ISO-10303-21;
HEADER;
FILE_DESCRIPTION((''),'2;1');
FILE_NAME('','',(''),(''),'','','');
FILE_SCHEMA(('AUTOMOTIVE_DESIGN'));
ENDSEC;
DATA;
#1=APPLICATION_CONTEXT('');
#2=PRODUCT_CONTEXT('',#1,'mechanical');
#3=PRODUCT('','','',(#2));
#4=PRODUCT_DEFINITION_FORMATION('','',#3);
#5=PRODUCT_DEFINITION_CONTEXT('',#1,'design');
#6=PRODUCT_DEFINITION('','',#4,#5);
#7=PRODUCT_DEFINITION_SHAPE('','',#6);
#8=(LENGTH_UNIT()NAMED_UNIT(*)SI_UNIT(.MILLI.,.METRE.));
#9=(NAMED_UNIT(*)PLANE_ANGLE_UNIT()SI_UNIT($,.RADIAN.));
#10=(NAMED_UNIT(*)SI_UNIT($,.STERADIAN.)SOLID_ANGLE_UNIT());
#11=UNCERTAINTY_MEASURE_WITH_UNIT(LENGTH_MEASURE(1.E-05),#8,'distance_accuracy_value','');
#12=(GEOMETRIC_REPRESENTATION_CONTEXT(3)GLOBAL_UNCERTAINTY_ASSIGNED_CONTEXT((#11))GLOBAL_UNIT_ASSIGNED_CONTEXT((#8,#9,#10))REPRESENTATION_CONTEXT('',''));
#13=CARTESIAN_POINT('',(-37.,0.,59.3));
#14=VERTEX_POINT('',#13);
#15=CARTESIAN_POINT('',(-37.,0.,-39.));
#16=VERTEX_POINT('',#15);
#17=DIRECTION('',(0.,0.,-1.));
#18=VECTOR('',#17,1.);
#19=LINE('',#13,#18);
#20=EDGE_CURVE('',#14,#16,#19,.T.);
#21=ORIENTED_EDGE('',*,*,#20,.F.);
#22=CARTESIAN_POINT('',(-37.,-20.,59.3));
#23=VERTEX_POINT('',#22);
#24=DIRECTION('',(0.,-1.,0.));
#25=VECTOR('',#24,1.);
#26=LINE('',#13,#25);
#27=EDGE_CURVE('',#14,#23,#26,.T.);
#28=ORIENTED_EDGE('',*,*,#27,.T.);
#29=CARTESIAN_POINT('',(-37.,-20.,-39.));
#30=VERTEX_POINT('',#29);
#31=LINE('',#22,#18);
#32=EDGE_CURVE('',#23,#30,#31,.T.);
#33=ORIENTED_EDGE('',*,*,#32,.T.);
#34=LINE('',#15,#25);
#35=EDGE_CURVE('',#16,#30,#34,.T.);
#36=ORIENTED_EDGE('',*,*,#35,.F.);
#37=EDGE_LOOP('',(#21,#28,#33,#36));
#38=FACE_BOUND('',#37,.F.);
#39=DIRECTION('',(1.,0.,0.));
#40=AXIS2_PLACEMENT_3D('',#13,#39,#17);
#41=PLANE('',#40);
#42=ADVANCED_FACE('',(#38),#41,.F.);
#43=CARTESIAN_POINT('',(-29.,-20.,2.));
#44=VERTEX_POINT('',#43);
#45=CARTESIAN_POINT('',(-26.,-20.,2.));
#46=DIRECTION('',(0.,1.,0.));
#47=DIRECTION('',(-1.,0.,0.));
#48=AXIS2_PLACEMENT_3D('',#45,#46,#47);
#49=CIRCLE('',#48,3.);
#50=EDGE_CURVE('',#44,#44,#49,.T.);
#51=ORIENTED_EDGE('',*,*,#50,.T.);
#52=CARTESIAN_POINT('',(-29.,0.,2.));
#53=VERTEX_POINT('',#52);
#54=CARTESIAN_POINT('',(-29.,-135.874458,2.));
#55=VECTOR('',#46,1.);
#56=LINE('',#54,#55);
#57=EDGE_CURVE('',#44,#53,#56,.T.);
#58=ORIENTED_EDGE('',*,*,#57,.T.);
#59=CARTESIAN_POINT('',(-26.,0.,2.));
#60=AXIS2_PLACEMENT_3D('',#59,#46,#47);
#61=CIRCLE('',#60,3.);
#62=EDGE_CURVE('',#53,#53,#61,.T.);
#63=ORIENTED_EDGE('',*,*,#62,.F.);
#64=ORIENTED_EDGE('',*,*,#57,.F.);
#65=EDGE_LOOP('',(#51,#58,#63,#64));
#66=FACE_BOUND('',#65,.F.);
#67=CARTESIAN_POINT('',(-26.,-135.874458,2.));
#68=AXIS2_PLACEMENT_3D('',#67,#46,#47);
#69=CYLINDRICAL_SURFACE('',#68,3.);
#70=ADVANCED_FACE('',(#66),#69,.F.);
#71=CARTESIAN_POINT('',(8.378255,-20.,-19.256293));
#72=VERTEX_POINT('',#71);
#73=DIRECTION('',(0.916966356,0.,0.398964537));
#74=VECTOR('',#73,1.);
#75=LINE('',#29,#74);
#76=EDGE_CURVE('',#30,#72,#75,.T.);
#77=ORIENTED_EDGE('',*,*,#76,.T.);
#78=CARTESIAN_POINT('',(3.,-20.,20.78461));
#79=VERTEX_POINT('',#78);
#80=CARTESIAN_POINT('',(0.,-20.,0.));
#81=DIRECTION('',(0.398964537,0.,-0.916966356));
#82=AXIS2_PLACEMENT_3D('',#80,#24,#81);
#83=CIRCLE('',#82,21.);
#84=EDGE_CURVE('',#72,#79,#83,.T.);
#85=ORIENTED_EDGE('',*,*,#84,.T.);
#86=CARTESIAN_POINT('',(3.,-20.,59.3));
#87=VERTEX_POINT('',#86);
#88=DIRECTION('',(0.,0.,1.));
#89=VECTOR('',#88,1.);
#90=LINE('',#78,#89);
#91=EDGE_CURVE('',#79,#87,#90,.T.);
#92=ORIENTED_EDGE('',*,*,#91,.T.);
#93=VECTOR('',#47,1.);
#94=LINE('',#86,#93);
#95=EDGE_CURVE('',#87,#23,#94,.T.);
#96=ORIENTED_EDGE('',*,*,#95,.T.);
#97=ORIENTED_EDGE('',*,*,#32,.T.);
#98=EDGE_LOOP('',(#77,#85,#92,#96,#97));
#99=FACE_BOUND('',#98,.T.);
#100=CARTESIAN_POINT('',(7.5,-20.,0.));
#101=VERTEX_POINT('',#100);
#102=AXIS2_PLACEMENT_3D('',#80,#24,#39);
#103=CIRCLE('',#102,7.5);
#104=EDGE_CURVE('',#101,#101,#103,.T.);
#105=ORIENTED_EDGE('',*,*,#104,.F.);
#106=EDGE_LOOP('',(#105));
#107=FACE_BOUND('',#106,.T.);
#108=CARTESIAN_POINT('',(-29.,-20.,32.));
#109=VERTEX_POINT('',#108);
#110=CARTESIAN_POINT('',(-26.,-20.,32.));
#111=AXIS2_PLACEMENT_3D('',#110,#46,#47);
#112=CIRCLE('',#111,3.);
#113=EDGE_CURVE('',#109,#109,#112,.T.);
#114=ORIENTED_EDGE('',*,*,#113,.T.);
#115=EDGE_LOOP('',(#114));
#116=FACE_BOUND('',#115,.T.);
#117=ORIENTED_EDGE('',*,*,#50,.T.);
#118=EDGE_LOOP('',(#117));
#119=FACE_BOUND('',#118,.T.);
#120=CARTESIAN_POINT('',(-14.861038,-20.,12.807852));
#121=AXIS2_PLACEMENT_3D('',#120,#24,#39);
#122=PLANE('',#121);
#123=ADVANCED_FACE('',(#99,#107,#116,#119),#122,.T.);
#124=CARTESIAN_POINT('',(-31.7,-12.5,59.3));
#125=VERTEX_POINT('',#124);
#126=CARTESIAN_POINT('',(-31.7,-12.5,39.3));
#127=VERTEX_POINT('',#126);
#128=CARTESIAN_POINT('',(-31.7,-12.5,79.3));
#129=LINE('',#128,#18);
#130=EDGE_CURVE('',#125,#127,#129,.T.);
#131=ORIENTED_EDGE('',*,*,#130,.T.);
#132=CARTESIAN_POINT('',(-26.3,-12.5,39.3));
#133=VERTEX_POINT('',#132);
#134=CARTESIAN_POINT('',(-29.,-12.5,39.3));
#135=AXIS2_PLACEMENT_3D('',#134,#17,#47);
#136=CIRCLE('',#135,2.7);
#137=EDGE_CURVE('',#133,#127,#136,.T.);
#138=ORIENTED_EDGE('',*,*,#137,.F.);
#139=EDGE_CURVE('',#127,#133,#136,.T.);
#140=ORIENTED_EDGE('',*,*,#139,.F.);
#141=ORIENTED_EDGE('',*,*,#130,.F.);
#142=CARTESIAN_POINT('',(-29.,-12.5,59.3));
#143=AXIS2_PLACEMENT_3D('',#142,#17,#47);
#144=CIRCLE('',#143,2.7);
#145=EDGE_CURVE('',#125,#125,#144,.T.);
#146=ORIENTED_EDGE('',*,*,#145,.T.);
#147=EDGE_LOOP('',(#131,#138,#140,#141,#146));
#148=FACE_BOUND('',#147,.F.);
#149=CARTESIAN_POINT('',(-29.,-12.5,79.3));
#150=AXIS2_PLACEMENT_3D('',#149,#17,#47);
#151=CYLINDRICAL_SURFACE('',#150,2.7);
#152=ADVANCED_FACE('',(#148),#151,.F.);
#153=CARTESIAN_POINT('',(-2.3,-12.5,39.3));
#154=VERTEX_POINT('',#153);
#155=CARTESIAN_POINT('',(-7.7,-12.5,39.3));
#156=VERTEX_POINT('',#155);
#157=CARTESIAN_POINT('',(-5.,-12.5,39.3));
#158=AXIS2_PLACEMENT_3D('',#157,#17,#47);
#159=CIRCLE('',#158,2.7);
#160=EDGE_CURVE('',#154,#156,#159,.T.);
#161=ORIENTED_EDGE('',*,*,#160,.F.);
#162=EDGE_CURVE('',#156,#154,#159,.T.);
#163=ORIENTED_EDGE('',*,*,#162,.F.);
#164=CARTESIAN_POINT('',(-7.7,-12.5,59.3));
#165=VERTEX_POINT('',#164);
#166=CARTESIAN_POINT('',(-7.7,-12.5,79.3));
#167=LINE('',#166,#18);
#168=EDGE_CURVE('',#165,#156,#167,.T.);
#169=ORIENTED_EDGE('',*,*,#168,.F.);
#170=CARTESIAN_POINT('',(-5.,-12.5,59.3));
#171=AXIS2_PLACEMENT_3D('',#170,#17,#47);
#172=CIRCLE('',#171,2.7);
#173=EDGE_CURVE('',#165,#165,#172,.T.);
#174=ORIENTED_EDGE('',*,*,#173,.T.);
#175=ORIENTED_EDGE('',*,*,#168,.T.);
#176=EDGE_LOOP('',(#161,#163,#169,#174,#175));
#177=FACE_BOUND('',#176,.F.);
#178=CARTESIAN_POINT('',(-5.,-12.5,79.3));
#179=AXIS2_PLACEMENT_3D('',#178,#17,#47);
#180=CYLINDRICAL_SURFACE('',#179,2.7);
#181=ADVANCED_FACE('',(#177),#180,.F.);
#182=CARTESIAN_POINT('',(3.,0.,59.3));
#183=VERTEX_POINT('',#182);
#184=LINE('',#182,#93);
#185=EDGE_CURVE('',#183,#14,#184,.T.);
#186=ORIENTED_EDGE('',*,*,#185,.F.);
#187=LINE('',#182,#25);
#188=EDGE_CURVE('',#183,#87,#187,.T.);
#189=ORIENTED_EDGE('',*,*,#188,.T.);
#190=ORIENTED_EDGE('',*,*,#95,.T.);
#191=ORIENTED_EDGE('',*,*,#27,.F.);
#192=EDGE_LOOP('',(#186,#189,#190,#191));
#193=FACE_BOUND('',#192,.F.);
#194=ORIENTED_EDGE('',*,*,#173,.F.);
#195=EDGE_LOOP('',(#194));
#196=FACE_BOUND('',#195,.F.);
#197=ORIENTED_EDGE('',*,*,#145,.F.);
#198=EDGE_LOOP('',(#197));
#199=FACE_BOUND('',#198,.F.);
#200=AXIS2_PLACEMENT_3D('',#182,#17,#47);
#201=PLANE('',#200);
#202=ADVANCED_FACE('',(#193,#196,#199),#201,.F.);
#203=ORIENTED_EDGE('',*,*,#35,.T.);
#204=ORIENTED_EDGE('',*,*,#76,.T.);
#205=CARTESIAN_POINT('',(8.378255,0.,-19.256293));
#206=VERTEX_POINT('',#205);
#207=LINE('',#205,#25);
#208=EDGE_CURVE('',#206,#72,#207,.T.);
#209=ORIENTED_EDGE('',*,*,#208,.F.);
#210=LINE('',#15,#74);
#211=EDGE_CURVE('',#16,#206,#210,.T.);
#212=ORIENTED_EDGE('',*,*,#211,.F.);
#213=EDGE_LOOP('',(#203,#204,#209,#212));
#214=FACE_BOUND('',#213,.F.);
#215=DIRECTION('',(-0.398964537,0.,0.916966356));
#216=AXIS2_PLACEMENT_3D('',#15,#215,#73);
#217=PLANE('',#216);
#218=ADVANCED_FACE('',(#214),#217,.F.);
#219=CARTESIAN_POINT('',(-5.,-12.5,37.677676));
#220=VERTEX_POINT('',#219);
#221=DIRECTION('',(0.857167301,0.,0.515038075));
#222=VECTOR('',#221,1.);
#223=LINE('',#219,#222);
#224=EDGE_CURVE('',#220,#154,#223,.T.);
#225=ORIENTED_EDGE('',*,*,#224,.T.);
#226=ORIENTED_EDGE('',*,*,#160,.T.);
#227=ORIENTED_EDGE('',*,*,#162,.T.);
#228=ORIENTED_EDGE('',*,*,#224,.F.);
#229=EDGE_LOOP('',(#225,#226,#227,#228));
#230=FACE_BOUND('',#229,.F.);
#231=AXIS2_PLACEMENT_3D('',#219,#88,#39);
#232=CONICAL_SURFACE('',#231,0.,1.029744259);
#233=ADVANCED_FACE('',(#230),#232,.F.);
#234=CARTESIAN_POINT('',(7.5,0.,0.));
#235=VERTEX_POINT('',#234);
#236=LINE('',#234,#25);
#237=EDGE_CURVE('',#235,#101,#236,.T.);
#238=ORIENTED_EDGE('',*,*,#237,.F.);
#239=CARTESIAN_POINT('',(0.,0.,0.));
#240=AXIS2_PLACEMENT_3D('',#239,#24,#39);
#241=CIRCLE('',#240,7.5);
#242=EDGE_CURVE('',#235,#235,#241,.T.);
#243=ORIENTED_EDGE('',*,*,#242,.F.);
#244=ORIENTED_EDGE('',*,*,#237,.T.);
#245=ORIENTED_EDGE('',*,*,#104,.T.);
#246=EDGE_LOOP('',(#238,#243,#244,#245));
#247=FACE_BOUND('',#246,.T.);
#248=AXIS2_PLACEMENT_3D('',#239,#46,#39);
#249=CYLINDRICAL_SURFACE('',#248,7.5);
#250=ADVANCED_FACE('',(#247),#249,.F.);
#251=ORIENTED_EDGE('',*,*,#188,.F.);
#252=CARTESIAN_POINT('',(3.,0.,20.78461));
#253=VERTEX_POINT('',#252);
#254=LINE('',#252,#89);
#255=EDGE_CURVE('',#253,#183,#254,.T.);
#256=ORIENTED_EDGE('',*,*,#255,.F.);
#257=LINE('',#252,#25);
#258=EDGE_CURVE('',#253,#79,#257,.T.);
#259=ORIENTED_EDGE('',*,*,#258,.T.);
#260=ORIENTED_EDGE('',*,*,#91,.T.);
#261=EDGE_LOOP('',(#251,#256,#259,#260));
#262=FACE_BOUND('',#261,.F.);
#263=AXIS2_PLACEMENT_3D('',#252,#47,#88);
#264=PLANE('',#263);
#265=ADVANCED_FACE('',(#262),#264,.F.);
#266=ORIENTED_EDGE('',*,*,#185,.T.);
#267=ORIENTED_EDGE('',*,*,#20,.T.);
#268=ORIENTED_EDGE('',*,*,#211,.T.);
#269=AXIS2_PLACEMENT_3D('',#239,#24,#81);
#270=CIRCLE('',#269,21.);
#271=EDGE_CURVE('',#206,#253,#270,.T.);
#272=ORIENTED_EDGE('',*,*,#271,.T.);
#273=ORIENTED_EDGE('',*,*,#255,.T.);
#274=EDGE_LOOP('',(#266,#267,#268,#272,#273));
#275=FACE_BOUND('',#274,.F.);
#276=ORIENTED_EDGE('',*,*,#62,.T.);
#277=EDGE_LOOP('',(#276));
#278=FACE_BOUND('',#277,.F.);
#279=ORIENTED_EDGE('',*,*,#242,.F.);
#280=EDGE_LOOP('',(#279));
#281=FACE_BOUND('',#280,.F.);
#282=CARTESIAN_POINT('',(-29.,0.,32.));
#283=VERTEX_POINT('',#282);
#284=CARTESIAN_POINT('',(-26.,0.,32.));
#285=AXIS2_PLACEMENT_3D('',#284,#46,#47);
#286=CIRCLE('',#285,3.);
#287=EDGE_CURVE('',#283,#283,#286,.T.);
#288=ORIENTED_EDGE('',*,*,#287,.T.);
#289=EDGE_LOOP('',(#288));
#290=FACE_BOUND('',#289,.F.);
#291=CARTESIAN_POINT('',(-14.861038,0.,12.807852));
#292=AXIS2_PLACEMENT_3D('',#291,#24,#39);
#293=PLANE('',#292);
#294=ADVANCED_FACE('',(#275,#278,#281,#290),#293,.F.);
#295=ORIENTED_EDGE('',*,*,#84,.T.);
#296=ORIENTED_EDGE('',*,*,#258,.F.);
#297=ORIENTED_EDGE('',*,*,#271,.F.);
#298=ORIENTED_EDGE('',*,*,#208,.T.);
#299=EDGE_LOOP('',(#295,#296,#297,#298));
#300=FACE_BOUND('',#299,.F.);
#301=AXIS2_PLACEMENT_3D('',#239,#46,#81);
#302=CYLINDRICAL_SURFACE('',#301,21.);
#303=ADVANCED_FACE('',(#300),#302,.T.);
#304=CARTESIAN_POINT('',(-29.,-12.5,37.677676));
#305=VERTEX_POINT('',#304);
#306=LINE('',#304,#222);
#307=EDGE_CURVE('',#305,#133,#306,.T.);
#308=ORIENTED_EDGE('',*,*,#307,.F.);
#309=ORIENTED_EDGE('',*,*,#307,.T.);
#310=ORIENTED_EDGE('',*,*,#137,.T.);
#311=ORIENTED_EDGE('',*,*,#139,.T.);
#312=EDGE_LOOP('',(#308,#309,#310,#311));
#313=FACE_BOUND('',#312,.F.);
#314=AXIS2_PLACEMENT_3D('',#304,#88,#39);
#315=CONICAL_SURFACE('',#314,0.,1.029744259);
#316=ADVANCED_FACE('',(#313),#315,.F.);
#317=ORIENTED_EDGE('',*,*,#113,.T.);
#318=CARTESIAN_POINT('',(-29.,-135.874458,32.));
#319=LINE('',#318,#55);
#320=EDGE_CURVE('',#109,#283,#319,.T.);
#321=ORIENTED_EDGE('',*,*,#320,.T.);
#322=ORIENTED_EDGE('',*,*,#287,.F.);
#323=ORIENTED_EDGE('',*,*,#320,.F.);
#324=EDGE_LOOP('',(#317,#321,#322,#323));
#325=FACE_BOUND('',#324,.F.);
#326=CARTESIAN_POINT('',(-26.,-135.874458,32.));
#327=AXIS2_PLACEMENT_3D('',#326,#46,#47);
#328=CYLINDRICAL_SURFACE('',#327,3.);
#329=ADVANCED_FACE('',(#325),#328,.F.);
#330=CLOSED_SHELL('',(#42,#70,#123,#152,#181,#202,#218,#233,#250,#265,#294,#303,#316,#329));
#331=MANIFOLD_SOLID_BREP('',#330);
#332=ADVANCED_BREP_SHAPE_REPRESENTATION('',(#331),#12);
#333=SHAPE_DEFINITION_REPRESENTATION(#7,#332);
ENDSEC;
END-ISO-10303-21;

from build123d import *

# Parameters (mm, degrees)
F0_R     = 7.5
F1_DEPTH = 20
F3_D     = 5.4
F3_DEPTH = 20
F3_TIP   = 1.6223236714
F5_D     = 6


with BuildPart() as f1:
    # F0 (on Front) → F1 (new body)
    with BuildSketch(Plane.XZ):
        with BuildLine():
            Line((-37, -39), (8.3782552843, -19.2562934749))
            ThreePointArc((8.3782552843, -19.2562934749), (20.8130885481, 2.7955938707), (3, 20.7846096908))
            Line((3, 20.7846096908), (3, 59.3))
            Line((3, 59.3), (-37, 59.3))
            Line((-37, 59.3), (-37, -39))
        make_face()
        Circle(F0_R, mode=Mode.SUBTRACT)
    extrude(amount=F1_DEPTH)

    # F3
    with Locations(Plane.XY.offset(59.3)):
        with Locations((-29, -12.5), (-5, -12.5)):
            Hole(F3_D / 2, depth=F3_DEPTH)
            with Locations((0, 0, -(F3_DEPTH + F3_TIP / 2))):  # 118° drill point
                Cone(0, F3_D / 2, F3_TIP, mode=Mode.SUBTRACT)

    # F5 (through all)
    with Locations(Plane.XZ.offset(20)):
        with Locations((-26, 32), (-26, 2)):
            Hole(F5_D / 2)


solid = f1.part
